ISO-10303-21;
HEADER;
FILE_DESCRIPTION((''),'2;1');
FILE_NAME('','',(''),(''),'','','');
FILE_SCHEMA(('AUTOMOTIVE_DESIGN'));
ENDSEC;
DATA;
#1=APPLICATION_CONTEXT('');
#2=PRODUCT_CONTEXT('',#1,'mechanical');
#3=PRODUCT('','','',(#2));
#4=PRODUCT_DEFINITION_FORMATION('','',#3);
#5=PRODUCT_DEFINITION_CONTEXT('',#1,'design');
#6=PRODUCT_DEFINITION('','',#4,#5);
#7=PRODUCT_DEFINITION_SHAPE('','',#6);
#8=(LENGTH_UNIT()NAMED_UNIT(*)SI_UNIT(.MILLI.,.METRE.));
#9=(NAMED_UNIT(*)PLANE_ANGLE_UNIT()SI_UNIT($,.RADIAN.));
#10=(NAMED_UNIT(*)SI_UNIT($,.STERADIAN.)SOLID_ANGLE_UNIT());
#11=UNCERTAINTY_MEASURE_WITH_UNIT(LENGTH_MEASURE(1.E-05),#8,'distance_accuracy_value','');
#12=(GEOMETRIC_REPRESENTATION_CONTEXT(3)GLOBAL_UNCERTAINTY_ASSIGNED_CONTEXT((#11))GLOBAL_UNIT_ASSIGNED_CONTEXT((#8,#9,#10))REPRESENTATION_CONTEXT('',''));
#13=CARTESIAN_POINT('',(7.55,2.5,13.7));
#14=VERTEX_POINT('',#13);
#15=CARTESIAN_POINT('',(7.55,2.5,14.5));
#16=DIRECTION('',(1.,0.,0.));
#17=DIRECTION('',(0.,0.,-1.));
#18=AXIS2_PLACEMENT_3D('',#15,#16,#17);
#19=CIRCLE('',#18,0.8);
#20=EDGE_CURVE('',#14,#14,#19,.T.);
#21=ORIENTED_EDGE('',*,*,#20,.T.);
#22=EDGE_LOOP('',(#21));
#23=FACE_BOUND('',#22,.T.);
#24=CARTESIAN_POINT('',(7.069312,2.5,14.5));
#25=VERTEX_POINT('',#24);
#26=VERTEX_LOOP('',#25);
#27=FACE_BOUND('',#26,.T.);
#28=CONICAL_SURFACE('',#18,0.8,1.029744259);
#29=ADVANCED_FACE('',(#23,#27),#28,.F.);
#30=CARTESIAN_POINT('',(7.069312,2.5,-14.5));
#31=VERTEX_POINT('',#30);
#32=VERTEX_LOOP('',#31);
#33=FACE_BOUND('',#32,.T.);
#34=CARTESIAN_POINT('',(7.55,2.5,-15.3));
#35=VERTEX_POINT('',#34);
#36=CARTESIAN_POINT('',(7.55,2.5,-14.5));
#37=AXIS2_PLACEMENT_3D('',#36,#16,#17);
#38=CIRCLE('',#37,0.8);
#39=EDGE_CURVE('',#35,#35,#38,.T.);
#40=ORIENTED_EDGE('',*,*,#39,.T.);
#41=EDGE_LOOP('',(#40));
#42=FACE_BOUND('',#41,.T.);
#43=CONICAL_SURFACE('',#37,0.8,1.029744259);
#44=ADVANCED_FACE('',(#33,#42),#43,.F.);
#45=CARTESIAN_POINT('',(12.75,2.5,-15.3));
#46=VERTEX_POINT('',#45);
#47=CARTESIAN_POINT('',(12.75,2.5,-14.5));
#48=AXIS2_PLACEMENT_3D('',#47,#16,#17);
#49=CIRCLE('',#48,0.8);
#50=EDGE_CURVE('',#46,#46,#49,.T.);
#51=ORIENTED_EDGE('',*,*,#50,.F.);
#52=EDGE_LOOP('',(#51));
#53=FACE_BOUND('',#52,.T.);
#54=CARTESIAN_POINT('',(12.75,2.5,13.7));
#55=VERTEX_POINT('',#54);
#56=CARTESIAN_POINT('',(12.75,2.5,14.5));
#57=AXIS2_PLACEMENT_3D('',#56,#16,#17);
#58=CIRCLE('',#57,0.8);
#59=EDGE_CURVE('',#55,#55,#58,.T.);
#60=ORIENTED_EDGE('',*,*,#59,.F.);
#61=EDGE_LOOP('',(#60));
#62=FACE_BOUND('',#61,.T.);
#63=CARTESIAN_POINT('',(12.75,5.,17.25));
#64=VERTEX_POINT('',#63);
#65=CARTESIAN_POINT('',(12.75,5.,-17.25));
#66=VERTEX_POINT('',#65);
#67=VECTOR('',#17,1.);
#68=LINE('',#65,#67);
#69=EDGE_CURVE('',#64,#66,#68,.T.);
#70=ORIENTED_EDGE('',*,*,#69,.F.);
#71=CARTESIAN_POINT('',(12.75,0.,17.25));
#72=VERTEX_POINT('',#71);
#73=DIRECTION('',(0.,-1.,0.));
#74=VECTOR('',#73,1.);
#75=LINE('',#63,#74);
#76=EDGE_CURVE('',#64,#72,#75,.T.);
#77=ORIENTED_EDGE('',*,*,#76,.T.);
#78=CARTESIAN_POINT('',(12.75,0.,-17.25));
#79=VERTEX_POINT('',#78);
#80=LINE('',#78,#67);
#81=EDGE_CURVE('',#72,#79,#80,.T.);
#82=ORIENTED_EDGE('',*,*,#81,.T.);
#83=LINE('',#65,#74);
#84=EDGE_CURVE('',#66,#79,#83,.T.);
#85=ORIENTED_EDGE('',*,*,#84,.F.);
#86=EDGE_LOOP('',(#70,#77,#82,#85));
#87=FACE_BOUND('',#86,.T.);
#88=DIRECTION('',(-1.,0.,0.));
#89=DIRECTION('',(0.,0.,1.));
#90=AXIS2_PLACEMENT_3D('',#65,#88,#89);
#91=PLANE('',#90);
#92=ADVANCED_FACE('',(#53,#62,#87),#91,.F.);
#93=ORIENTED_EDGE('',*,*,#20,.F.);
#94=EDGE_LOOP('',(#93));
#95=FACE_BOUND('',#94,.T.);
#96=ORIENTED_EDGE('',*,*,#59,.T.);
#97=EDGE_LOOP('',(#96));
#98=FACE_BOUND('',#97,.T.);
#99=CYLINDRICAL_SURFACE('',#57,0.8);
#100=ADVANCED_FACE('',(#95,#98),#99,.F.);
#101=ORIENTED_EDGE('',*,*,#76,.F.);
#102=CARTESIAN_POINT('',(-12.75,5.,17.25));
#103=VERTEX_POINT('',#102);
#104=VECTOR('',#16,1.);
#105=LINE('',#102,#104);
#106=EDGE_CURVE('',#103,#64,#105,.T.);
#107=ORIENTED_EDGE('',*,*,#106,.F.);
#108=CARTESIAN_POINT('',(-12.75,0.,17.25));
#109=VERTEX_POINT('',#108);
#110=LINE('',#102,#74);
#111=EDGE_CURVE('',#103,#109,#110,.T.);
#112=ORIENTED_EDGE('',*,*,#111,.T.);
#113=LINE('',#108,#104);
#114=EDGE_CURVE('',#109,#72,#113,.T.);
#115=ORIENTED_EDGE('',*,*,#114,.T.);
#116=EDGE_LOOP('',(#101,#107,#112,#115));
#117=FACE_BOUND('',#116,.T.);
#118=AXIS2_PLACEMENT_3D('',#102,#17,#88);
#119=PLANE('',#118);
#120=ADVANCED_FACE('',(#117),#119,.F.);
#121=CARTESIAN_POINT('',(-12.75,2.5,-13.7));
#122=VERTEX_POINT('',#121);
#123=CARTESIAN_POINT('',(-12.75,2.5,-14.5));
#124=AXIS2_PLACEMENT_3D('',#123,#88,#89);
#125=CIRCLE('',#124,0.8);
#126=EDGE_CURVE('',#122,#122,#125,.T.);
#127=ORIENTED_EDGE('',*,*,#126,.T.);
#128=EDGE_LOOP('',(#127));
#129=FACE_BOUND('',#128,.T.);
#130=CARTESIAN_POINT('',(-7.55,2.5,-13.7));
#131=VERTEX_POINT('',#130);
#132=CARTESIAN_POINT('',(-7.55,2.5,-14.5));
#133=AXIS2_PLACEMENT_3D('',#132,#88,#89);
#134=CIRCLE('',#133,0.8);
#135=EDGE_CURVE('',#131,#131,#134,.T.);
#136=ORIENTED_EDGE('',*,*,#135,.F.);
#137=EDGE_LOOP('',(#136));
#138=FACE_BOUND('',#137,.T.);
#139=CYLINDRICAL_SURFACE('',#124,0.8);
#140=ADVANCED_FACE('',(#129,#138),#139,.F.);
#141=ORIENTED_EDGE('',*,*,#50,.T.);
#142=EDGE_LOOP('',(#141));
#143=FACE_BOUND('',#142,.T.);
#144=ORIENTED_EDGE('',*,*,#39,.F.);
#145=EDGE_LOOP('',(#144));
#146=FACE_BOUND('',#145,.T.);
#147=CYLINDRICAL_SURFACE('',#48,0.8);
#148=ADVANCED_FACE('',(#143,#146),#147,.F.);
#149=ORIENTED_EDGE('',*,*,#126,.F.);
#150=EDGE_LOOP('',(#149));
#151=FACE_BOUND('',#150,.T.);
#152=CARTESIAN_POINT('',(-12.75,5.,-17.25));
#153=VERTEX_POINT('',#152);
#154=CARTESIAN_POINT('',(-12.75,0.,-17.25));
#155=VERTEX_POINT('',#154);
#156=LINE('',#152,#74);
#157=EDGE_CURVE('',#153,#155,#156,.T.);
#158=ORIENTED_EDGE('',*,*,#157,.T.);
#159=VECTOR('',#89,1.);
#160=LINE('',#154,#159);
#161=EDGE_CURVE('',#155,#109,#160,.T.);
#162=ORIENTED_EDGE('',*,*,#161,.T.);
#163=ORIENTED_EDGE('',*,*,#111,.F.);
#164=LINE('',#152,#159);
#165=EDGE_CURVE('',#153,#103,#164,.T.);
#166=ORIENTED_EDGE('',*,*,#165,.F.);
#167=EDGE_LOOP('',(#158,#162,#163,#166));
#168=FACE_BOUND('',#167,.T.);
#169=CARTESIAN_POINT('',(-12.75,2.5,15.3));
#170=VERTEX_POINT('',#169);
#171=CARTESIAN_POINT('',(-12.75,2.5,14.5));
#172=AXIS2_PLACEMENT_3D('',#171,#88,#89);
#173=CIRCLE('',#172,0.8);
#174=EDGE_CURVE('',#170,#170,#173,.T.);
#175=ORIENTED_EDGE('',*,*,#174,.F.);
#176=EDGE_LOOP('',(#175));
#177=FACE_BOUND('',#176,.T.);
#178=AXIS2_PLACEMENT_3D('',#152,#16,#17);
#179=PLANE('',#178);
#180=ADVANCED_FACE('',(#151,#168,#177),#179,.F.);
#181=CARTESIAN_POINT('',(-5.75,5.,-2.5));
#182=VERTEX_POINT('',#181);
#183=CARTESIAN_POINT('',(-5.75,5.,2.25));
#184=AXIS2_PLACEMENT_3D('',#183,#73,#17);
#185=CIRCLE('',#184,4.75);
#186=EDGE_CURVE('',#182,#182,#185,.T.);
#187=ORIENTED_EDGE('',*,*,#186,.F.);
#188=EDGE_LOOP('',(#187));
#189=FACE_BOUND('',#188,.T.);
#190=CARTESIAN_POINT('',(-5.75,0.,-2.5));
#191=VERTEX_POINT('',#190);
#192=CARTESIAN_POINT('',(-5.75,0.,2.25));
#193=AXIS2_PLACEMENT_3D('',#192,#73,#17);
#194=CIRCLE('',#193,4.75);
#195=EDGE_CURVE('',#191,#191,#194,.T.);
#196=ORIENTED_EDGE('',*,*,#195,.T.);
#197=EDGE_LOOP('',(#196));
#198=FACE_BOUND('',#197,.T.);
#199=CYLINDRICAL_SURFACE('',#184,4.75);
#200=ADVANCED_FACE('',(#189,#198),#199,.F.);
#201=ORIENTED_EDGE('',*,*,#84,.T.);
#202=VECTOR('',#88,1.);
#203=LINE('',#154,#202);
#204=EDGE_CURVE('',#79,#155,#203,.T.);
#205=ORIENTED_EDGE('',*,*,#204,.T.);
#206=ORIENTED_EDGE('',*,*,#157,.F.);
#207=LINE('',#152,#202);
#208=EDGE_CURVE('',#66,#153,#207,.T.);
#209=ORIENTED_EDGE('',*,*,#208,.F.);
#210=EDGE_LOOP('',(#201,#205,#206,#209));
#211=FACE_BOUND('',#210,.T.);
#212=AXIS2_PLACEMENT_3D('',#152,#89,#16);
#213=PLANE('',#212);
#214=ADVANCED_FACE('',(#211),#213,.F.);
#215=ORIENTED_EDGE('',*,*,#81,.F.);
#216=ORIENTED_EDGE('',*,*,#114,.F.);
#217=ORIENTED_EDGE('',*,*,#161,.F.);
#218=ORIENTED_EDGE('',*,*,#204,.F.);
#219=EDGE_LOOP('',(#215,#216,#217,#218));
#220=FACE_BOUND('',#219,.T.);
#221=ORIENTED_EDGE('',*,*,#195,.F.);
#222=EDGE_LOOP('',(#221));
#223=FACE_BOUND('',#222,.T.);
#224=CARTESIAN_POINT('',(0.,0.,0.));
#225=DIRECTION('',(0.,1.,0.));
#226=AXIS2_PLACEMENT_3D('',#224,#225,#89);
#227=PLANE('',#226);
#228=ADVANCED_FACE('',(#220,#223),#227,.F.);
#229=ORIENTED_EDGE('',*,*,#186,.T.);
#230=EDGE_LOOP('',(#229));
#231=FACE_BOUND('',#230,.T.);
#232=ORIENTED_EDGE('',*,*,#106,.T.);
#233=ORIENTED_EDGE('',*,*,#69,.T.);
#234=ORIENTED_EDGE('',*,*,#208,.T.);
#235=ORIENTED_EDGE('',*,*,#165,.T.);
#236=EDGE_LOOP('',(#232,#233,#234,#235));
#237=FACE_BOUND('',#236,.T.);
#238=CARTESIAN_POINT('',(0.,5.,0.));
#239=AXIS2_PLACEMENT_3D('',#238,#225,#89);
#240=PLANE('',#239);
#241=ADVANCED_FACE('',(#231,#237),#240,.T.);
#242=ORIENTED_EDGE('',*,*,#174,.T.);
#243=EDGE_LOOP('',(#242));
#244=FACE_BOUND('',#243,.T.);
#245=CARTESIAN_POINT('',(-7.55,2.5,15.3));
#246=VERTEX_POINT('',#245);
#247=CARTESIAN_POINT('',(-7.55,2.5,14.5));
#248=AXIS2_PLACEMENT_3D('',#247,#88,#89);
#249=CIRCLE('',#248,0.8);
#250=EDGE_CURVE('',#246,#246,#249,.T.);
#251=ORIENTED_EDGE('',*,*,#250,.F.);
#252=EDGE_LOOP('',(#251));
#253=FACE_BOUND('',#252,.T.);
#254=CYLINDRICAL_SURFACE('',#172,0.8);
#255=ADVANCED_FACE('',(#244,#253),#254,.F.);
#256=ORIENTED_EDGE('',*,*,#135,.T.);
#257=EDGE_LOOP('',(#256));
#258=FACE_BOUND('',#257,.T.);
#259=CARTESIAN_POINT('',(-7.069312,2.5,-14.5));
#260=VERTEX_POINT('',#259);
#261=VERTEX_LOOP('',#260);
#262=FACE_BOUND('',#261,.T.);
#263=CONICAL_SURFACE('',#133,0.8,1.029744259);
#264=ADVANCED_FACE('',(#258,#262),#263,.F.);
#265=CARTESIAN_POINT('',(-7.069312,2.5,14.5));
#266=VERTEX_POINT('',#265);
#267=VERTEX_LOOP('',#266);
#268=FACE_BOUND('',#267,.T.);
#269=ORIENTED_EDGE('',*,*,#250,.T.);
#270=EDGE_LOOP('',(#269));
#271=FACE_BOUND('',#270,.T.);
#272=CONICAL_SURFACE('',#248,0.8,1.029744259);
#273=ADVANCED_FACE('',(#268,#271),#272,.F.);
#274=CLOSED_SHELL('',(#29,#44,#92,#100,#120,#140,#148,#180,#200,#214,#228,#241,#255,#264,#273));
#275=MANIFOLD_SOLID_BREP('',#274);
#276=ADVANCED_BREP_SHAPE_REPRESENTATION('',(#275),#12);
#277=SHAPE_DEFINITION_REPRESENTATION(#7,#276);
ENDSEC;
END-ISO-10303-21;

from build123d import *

# Parameters (mm, degrees)
SKETCH_1_W          = 25.5
SKETCH_1_H          = 34.5
EXTRUDE_1_DEPTH     = 5
M2X0_4_1_AT_2_COUNT = 2
M2X0_4_1_AT_2_PITCH = 29
SKETCH_4_R          = 4.75
CUT_EXTRUDE_1_DEPTH = 23.025553342


with BuildPart() as part:
    # 草图1 → 凸台-拉伸1 (new body)
    with BuildSketch(Plane(origin=(0, 0, 0), x_dir=(1, 0, 0), z_dir=(0, 1, 0))):
        Rectangle(SKETCH_1_W, SKETCH_1_H)
    extrude(amount=EXTRUDE_1_DEPTH)

    # 草图3 → M2x0.4 螺纹孔1 (revolve, cut)
    with BuildSketch(Plane(origin=(12.75, 2.5, -14.5), x_dir=(0, 0, -1), z_dir=(0, 1, 0))):
        Polygon((0, 0), (0, 5.680688495), (0.8, 5.2), (0.8, 0), align=None)
    m2x0_4_1 = revolve(axis=Axis((19.1, 2.5, -14.5), (-1, 0, 0)), mode=Mode.SUBTRACT)

    # M2x0.4 螺纹孔1 at 2: M2x0.4 螺纹孔1 ×2
    with Locations(*[(0, 0, i * M2X0_4_1_AT_2_PITCH) for i in range(1, M2X0_4_1_AT_2_COUNT)]):
        add(m2x0_4_1, mode=Mode.SUBTRACT)

    # 镜向1: M2x0.4 螺纹孔1 across plane
    add(m2x0_4_1.mirror(Plane(origin=(0, 0, 0), x_dir=(0, 0, 1), z_dir=(1, 0, 0))), mode=Mode.SUBTRACT)

    # 镜向1 copy 1 sketch → 镜向1 copy 1 (revolve, cut)
    with BuildSketch(Plane(origin=(-12.75, 2.5, 14.5), x_dir=(0, 0, -1), z_dir=(0, 1, 0))):
        Polygon((0, 0), (0, -5.680688495), (0.8, -5.2), (0.8, 0), align=None)
    revolve(axis=Axis((-19.1, 2.5, 14.5), (-1, 0, 0)), mode=Mode.SUBTRACT)

    # 草图4 → 切除-拉伸1 (cut, through all)
    with BuildSketch(Plane.XZ):
        with Locations(Location((-5.75, 2.25, 0), (0, 0, 270))):
            Circle(SKETCH_4_R)
    extrude(amount=-CUT_EXTRUDE_1_DEPTH, mode=Mode.SUBTRACT)


solid = part.part
